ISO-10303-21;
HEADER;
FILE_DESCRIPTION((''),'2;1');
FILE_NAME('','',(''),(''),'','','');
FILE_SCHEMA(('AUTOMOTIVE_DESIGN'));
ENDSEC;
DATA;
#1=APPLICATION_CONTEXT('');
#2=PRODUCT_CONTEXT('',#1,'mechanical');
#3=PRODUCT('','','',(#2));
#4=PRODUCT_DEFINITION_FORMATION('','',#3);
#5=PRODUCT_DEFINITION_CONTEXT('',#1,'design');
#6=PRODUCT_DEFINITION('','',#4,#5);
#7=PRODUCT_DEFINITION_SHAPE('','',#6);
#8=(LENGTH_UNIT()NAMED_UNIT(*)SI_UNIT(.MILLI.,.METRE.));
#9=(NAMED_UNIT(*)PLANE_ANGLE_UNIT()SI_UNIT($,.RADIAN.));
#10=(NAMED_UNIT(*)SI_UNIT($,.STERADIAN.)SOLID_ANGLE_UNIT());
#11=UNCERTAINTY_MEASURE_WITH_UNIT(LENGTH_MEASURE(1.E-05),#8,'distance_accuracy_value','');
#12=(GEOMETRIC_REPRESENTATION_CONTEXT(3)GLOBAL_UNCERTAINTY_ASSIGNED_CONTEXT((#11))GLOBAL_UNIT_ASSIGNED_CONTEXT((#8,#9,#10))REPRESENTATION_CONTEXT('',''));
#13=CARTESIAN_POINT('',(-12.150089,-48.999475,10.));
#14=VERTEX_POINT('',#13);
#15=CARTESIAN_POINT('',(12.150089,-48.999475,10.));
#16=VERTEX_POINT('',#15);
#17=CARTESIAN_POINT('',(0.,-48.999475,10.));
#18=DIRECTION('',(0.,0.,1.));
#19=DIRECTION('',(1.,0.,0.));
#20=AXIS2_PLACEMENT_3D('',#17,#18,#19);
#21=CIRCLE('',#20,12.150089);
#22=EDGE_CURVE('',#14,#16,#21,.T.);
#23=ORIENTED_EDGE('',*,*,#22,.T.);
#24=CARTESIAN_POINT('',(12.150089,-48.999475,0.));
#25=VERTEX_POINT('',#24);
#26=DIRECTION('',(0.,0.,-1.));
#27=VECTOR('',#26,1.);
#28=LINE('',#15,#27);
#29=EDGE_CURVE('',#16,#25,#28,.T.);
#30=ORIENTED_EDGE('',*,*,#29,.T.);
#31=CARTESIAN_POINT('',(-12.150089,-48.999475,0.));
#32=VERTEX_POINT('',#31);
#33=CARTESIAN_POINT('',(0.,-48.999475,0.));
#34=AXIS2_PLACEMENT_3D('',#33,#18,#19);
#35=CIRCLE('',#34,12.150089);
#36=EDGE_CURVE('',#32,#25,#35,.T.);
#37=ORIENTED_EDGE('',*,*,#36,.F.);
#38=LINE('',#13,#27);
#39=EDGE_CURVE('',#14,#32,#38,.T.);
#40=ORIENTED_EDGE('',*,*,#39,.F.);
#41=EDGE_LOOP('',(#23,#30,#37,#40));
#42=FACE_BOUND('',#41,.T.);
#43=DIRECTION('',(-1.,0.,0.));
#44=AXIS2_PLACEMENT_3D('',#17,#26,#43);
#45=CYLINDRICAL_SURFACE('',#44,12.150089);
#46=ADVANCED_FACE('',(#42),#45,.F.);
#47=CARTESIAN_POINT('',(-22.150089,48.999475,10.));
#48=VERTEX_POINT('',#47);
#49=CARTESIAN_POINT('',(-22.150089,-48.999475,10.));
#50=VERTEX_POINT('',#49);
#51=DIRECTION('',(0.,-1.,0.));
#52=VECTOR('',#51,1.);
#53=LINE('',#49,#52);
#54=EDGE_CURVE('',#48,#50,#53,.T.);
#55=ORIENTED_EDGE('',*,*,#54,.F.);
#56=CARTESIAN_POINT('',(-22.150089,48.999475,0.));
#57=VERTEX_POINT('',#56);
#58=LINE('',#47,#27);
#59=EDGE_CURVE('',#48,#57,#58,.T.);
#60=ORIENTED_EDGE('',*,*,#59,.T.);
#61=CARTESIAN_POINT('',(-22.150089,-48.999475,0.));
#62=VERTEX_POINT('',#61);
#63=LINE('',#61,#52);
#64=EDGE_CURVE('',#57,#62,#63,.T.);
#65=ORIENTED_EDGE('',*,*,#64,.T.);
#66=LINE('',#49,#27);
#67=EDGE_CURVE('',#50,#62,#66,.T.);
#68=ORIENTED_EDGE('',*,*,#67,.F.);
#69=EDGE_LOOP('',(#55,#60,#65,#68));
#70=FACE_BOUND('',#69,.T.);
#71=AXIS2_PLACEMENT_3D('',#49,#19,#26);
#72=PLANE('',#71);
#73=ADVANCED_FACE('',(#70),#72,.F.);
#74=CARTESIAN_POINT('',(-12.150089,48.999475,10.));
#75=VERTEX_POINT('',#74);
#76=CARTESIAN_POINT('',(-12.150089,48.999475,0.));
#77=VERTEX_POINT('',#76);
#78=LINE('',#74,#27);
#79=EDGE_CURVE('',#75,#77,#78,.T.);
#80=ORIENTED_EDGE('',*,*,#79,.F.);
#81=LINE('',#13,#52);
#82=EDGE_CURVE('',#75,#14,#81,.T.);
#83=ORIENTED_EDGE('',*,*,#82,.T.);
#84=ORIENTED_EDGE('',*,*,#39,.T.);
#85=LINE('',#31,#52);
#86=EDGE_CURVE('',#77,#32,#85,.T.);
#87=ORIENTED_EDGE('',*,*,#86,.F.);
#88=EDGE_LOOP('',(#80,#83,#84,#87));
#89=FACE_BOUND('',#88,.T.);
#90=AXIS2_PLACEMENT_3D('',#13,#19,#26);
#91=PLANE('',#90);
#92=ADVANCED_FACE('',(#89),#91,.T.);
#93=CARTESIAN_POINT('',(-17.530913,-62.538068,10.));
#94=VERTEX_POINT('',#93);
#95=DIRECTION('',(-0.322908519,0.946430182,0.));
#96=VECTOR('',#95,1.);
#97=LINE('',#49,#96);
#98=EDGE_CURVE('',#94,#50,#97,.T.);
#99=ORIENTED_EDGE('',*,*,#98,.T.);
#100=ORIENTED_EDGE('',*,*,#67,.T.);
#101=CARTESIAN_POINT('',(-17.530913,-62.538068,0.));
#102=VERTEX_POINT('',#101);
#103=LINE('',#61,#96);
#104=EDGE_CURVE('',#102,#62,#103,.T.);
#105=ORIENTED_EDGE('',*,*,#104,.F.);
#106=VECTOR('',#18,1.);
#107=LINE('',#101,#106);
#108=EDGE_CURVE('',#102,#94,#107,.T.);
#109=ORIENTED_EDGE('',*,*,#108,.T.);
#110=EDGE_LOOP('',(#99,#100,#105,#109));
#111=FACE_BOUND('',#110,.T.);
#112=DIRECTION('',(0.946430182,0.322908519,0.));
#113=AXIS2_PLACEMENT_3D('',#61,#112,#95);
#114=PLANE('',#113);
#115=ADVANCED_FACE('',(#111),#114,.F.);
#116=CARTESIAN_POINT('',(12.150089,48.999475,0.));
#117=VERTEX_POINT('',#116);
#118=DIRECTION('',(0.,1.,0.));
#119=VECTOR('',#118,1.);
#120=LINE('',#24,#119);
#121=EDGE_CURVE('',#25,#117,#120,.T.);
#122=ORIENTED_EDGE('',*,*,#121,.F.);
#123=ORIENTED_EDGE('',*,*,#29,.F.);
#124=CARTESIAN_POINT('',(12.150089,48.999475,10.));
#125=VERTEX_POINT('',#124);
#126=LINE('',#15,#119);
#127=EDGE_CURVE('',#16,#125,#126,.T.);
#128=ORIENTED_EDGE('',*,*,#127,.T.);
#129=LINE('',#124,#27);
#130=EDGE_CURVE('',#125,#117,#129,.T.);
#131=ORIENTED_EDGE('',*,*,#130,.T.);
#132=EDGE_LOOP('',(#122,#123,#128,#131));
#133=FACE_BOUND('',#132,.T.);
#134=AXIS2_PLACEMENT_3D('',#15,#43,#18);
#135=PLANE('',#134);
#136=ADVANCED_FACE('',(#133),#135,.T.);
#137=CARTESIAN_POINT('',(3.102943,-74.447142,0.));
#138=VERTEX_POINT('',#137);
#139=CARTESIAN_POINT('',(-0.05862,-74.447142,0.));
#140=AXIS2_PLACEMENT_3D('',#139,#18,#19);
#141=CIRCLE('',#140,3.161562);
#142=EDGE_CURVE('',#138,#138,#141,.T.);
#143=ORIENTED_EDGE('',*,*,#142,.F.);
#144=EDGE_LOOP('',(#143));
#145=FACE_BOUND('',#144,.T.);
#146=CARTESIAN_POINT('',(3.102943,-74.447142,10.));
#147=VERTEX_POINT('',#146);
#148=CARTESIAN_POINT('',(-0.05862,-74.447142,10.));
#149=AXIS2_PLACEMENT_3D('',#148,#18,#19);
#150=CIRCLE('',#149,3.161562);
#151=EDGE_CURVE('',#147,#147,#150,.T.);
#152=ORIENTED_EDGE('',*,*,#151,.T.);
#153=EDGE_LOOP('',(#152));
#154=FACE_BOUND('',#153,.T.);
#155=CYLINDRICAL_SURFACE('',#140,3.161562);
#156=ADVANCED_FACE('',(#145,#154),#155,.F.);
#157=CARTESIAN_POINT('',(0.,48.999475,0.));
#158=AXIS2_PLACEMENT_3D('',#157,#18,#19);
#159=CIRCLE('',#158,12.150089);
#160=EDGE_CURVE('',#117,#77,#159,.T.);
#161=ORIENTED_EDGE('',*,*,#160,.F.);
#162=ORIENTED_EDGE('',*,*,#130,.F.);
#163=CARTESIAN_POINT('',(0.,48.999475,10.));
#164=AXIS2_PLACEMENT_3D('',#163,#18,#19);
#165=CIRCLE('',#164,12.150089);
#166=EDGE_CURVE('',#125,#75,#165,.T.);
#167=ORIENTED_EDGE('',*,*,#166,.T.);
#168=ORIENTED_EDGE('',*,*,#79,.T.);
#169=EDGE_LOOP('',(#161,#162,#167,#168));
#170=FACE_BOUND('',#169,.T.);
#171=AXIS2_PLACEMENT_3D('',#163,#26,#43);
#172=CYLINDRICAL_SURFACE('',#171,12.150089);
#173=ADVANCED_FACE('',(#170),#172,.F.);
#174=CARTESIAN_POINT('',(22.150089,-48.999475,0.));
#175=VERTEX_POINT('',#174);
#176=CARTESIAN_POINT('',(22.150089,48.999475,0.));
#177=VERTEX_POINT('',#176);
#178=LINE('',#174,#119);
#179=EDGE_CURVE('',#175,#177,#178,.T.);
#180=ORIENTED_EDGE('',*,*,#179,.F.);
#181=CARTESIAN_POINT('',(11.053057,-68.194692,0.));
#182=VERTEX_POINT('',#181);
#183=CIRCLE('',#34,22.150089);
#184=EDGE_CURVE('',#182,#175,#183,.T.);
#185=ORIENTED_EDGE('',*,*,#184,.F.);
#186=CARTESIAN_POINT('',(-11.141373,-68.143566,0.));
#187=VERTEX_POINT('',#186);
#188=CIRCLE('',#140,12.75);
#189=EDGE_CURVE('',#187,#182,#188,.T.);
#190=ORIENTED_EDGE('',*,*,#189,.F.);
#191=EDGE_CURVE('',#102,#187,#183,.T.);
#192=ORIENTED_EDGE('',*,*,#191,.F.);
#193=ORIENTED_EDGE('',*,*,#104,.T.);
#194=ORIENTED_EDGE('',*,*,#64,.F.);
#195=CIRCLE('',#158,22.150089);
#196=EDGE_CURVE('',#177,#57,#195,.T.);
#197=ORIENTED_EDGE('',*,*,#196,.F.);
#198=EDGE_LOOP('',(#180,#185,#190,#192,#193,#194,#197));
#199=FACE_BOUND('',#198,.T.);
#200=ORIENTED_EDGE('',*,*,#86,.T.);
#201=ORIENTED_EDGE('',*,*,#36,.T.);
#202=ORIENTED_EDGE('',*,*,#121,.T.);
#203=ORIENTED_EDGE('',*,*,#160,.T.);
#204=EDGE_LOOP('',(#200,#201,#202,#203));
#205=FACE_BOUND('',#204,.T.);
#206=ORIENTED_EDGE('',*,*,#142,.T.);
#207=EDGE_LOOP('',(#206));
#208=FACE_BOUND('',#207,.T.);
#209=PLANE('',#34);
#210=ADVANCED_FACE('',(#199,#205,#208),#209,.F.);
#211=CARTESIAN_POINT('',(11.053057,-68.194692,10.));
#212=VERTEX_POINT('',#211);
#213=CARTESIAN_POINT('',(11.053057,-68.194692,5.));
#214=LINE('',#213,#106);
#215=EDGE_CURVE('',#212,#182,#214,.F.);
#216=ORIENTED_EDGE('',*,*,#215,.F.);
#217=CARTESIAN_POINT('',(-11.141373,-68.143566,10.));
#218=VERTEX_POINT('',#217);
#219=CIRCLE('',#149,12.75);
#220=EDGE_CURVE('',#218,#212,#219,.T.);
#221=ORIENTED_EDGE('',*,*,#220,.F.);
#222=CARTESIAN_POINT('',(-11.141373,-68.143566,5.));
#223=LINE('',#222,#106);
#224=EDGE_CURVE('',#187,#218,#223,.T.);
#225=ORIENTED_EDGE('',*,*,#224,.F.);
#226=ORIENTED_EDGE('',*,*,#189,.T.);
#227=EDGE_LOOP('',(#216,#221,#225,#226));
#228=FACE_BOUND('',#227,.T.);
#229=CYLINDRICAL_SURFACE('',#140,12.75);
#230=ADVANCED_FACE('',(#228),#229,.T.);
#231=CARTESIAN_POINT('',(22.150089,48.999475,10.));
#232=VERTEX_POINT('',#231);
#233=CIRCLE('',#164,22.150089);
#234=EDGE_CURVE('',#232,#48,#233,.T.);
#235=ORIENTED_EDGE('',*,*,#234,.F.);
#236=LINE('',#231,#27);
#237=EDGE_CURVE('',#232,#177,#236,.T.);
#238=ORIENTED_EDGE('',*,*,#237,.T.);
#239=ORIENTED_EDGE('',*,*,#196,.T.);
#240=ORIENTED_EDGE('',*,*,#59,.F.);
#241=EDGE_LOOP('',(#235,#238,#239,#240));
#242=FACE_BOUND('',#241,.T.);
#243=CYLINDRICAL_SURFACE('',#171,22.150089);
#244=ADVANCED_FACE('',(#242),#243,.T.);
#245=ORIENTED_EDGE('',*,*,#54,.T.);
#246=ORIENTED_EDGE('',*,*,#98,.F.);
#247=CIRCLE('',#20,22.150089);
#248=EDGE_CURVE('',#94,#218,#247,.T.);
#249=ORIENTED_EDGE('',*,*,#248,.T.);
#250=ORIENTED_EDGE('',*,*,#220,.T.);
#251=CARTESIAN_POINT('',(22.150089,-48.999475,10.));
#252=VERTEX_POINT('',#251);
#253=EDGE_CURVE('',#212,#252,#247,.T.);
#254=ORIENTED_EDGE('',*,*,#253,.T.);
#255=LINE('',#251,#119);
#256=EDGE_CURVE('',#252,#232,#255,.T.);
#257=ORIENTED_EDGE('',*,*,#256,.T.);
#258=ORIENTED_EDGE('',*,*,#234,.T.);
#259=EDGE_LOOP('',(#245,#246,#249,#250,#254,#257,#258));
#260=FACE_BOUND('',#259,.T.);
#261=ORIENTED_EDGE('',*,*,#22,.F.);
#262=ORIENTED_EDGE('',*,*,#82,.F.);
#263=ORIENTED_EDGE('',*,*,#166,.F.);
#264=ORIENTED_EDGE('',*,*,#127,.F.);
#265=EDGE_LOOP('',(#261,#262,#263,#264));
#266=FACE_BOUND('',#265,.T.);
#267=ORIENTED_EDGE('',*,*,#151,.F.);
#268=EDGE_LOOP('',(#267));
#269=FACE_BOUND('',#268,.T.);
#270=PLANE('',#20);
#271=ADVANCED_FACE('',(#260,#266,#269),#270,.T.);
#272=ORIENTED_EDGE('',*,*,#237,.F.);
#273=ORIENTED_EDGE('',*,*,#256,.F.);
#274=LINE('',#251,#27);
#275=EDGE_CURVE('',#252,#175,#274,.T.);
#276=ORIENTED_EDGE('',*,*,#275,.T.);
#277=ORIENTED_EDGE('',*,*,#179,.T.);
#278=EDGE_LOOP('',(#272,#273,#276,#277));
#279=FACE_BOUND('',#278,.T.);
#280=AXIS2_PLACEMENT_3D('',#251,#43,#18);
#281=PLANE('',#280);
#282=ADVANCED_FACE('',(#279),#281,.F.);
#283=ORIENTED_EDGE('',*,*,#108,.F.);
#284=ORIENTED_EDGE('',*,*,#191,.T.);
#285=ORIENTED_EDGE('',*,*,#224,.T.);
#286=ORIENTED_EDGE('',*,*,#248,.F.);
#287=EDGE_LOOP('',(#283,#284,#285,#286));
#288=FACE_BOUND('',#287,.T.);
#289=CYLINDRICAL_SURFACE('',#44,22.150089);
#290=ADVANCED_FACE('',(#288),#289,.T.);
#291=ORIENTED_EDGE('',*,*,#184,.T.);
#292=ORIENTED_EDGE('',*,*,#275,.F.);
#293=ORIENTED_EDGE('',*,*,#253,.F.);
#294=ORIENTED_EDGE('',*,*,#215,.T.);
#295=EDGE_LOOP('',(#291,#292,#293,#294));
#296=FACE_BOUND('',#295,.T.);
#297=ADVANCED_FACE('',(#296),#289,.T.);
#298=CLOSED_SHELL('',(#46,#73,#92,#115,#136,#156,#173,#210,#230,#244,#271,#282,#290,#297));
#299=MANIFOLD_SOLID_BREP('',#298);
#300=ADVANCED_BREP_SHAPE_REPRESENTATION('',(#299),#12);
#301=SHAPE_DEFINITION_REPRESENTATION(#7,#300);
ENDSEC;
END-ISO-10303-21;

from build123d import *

# Parameters (mm, degrees)
ESTRUSIONE_SOTTILE1_DEPTH    = 10
TAGLIO_ESTRUSIONE2_DEPTH     = 10
SCHIZZO3_R                   = 12.75
SCHIZZO3_R_2                 = 3.161562041
ESTRUSIONE_ESTRUSIONE1_DEPTH = 10


with BuildPart() as part:
    # Schizzo1 → Estrusione-Sottile1 (new body)
    with BuildSketch(Plane.XY):
        with BuildLine():
            Line((22.150088511, 48.999474912), (22.150088511, -48.999474912))
            ThreePointArc((22.150088511, -48.999474912), (0, -71.149563424), (-22.150088511, -48.999474912))
            Line((-22.150088511, -48.999474912), (-22.150088511, 48.999474912))
            ThreePointArc((-22.150088511, 48.999474912), (0, 71.149563424), (22.150088511, 48.999474912))
        make_face()
        with BuildLine():
            Line((12.150088511, 48.999474912), (12.150088511, -48.999474912))
            ThreePointArc((12.150088511, -48.999474912), (0, -61.149563424), (-12.150088511, -48.999474912))
            Line((-12.150088511, -48.999474912), (-12.150088511, 48.999474912))
            ThreePointArc((-12.150088511, 48.999474912), (0, 61.149563424), (12.150088511, 48.999474912))
        make_face(mode=Mode.SUBTRACT)
    extrude(amount=ESTRUSIONE_SOTTILE1_DEPTH)

    # Schizzo2 → Taglio-Estrusione2 (cut)
    with BuildSketch(Plane.XY.offset(10)):
        Polygon((-22.150088511, -48.999474912), (-17.530912976, -62.538068313), (-24.875817955, -62.538068313), (-24.875817955, -48.999474912), align=None)
    extrude(amount=-TAGLIO_ESTRUSIONE2_DEPTH, mode=Mode.SUBTRACT)

    # Schizzo3 → Estrusione-Estrusione1 (add)
    with BuildSketch(Plane.XY.offset(10)):
        with Locations((-0.05861952, -74.447142179)):
            Circle(SCHIZZO3_R)
        with Locations((-0.05861952, -74.447142179)):
            Circle(SCHIZZO3_R_2, mode=Mode.SUBTRACT)
    extrude(amount=-ESTRUSIONE_ESTRUSIONE1_DEPTH)


solid = part.part
